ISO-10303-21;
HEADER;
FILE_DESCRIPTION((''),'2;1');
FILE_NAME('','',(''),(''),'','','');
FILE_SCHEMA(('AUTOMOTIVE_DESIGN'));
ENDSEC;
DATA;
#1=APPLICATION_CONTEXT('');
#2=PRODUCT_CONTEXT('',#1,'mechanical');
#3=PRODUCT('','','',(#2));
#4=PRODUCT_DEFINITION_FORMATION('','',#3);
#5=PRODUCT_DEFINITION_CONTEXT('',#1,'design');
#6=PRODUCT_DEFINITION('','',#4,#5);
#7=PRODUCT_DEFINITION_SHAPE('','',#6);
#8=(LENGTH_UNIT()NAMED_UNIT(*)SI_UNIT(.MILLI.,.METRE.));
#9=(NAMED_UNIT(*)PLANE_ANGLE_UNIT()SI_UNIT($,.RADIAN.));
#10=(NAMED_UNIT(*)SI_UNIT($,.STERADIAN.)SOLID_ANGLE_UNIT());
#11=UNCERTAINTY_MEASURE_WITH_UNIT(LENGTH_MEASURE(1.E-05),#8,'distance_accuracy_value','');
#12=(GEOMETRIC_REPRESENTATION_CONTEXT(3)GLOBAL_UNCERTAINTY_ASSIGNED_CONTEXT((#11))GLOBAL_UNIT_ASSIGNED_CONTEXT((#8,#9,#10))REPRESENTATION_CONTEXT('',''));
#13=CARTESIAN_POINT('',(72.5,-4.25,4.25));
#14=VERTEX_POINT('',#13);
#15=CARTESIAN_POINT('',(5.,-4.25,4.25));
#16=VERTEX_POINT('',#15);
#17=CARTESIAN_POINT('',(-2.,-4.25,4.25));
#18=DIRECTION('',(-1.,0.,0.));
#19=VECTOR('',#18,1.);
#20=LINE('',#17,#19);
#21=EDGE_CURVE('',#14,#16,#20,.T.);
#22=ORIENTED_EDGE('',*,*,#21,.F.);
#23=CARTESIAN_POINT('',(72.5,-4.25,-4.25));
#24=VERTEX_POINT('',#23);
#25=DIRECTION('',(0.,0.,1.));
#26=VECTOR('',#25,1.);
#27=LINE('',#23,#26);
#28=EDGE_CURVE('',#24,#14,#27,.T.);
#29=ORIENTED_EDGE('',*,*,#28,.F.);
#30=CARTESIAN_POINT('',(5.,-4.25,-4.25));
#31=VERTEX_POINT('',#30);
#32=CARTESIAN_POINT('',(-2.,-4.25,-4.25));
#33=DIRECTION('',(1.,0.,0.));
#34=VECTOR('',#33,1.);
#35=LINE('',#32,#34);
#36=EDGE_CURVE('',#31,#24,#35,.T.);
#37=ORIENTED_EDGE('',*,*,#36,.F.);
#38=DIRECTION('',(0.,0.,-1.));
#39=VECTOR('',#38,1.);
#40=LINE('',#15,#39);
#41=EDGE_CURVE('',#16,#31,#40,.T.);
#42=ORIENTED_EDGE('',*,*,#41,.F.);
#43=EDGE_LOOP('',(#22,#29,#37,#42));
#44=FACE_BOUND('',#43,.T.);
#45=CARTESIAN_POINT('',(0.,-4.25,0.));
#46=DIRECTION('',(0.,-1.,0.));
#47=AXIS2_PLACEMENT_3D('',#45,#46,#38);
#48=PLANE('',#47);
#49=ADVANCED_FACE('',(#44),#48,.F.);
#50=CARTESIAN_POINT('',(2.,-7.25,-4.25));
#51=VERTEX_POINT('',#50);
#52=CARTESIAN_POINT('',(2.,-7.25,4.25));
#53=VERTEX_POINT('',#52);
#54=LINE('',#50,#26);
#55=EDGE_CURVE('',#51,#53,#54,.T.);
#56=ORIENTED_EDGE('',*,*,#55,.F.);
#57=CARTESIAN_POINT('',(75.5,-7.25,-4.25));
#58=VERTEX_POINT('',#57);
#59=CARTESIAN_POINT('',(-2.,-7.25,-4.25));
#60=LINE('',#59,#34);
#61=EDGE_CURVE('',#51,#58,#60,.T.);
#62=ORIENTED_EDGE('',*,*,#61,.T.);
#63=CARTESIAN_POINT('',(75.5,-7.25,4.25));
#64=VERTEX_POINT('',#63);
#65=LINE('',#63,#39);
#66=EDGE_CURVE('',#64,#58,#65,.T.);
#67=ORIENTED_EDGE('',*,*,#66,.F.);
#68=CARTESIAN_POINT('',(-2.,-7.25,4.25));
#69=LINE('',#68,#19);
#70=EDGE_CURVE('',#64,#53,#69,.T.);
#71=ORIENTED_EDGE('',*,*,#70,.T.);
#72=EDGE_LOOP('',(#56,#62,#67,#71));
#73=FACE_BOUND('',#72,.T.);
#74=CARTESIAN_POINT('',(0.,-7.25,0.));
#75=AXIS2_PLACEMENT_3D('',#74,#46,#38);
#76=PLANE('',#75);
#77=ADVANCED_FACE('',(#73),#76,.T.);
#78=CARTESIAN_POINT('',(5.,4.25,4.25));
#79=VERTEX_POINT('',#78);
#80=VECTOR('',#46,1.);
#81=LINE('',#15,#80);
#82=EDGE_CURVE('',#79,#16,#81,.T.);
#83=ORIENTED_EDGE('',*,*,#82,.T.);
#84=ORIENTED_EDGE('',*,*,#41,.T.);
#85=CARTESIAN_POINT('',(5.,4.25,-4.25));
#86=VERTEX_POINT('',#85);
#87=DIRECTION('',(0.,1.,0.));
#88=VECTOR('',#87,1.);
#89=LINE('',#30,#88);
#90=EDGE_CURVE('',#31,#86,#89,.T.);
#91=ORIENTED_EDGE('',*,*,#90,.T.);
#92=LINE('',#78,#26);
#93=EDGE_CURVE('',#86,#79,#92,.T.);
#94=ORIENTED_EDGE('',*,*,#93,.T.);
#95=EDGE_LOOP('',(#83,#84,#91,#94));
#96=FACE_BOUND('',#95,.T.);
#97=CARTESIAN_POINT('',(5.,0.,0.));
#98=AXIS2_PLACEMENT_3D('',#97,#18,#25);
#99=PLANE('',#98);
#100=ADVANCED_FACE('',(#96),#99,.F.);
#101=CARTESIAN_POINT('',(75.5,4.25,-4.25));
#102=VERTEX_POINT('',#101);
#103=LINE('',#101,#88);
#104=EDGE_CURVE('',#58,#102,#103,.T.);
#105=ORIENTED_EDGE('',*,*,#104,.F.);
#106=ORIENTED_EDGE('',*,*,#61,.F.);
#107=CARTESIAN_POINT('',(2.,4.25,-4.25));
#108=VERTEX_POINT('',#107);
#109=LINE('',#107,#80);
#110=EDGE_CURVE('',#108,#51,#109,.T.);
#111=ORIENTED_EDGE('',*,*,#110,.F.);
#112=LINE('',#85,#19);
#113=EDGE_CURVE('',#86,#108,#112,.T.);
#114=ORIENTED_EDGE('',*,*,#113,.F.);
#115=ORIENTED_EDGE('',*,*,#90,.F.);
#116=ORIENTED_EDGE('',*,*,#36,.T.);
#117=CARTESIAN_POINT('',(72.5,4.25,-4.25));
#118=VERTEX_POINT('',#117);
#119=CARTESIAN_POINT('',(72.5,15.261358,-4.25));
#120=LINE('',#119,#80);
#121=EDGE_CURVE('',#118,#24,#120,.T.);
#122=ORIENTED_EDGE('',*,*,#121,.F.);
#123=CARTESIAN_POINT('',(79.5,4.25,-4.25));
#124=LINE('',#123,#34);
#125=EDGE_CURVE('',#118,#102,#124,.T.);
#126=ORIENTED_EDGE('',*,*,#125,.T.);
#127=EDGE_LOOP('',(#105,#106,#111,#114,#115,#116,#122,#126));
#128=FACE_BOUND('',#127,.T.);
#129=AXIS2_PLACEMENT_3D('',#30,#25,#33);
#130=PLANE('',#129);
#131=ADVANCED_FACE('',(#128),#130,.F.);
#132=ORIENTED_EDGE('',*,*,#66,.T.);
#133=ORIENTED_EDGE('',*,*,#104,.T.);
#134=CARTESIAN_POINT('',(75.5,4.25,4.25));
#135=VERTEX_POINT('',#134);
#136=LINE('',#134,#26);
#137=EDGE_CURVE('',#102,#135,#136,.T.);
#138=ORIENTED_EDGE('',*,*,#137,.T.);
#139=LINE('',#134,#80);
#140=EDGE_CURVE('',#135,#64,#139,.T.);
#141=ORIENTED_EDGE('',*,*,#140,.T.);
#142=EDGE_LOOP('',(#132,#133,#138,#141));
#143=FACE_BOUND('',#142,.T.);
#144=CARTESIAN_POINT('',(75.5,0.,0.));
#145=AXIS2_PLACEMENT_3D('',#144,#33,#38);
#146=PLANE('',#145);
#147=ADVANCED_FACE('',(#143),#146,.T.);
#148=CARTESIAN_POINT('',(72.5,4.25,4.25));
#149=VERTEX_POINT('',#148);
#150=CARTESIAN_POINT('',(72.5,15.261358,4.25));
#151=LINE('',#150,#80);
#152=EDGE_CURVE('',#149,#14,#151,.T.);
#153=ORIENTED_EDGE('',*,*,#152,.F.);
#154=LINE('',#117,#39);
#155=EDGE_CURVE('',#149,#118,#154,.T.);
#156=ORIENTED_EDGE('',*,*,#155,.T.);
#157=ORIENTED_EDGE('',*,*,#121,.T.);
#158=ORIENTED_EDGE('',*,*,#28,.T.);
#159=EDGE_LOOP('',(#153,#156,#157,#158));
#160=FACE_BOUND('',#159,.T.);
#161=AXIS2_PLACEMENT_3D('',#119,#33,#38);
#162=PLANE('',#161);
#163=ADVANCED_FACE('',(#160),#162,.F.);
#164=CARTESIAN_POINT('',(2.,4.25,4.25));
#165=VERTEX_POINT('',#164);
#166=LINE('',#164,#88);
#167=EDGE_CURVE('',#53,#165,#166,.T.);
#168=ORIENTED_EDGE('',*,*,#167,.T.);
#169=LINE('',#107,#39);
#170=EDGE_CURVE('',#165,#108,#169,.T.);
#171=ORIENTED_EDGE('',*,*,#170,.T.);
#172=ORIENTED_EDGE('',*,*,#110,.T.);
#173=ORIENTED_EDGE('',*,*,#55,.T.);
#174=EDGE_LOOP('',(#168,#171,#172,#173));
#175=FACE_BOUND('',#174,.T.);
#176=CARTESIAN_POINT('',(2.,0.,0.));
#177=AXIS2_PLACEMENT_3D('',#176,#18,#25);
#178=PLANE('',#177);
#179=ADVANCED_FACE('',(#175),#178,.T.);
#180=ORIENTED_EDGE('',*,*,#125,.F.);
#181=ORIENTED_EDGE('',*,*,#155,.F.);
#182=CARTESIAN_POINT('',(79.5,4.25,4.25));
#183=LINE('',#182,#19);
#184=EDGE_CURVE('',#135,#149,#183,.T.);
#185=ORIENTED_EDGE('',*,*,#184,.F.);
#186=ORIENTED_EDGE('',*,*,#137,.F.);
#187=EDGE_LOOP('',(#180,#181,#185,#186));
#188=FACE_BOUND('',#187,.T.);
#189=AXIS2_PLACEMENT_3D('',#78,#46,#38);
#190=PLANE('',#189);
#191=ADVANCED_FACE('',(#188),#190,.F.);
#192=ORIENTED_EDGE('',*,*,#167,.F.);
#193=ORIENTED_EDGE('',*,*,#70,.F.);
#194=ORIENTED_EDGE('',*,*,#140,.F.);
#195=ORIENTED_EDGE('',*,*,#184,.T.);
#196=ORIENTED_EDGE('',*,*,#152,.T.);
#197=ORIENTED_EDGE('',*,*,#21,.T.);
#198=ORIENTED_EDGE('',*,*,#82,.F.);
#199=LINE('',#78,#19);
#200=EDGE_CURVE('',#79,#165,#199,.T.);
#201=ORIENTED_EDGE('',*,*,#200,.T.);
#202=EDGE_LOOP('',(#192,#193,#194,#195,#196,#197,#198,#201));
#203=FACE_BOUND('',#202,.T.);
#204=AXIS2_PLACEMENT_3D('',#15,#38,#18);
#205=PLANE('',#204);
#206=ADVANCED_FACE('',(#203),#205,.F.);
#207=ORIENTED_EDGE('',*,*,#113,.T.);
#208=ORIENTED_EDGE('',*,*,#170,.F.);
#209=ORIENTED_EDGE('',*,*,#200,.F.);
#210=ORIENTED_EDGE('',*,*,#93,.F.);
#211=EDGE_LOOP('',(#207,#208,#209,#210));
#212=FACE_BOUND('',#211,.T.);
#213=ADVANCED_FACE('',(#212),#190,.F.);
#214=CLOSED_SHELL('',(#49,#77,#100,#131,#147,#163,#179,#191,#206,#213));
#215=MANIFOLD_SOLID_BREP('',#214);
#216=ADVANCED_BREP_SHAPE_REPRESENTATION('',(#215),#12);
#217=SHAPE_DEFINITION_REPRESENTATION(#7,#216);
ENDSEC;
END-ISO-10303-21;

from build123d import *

# Parameters (mm, degrees)
SKETCH1_W            = 8.5
SKETCH1_H            = 8.5
BOSS_EXTRUDE1_DEPTH  = 5
SKETCH2_W            = 8.5
SKETCH2_H            = 8.5
BOSS_EXTRUDE2_DEPTH  = 2
SKETCH3_R            = 1.5
CUT_EXTRUDE1_DEPTH   = 2
SKETCH4_W            = 81.5
SKETCH4_H            = 8.5
BOSS_EXTRUDE3_DEPTH  = 3
SKETCH5_W            = 7
SKETCH5_H            = 8.5
BOSS_EXTRUDE4_DEPTH  = 8.5
CUT_EXTRUDE2_DEPTH   = 5
SKETCH7_R            = 1.5
CUT_EXTRUDE3_DEPTH   = 5
CUT_EXTRUDE4_DEPTH   = 10
SKETCH9_W            = 8.5
SKETCH9_H            = 8.5
SKETCH9_R            = 1.5
BOSS_EXTRUDE5_DEPTH  = 2
CUT_EXTRUDE5_DEPTH   = 2
SKETCH11_W           = 8.5
SKETCH11_H           = 8.5
SKETCH11_R           = 1.5
BOSS_EXTRUDE6_DEPTH  = 2
BOSS_EXTRUDE7_DEPTH  = 5
BOSS_EXTRUDE8_DEPTH  = 5
SKETCH14_W           = 8.5
SKETCH14_H           = 11.5
CUT_EXTRUDE6_DEPTH   = 4
SKETCH15_W           = 8.5
SKETCH15_H           = 11.5
CUT_EXTRUDE7_DEPTH   = 4
SKETCH16_R           = 1.5
CUT_EXTRUDE8_DEPTH   = 4
SKETCH17_R           = 1.5
CUT_EXTRUDE9_DEPTH   = 4
SKETCH19_W           = 8.5
SKETCH19_H           = 8.5
BOSS_EXTRUDE9_DEPTH  = 3
SKETCH20_W           = 8.5
SKETCH20_H           = 8.5
BOSS_EXTRUDE10_DEPTH = 3


with BuildPart() as part:
    # Sketch1 → Boss-Extrude1 (new body)
    with BuildSketch(Plane(origin=(0, 0, 0), x_dir=(0, 0, -1), z_dir=(1, 0, 0))):
        Rectangle(SKETCH1_W, SKETCH1_H)
        Polygon((1.58771324, 2.75), (-1.58771324, 2.75), (-3.175426481, 0), (-1.58771324, -2.75), (1.58771324, -2.75), (3.175426481, 0), align=None, mode=Mode.SUBTRACT)
    extrude(amount=BOSS_EXTRUDE1_DEPTH)

    # Sketch2 → Boss-Extrude2 (add)
    with BuildSketch(Plane.ZY):
        Rectangle(SKETCH2_W, SKETCH2_H)
    extrude(amount=BOSS_EXTRUDE2_DEPTH)

    # Sketch3 → Cut-Extrude1 (cut)
    with BuildSketch(Plane(origin=(0, 0, 0), x_dir=(0, 0, -1), z_dir=(1, 0, 0))):
        Circle(SKETCH3_R)
    extrude(amount=-CUT_EXTRUDE1_DEPTH, mode=Mode.SUBTRACT)

    # Sketch4 → Boss-Extrude3 (add)
    with BuildSketch(Plane.XZ.offset(4.25)):
        with Locations((38.75, 0)):
            Rectangle(SKETCH4_W, SKETCH4_H)
    extrude(amount=BOSS_EXTRUDE3_DEPTH)

    # Sketch5 → Boss-Extrude4 (add)
    with BuildSketch(Plane(origin=(0, -4.25, 0), x_dir=(1, 0, 0), z_dir=(0, 1, 0))):
        with Locations((76, 0)):
            Rectangle(SKETCH5_W, SKETCH5_H)
    extrude(amount=BOSS_EXTRUDE4_DEPTH)

    # Sketch6 → Cut-Extrude2 (cut)
    with BuildSketch(Plane.ZY.offset(-72.5)):
        Polygon((3.175426481, 0), (1.58771324, 2.75), (-1.58771324, 2.75), (-3.175426481, 0), (-1.58771324, -2.75), (1.58771324, -2.75), align=None)
    extrude(amount=-CUT_EXTRUDE2_DEPTH, mode=Mode.SUBTRACT)

    # Sketch7 → Cut-Extrude3 (cut)
    with BuildSketch(Plane.ZY.offset(-77.5)):
        Circle(SKETCH7_R)
    extrude(amount=-CUT_EXTRUDE3_DEPTH, mode=Mode.SUBTRACT)

    # Sketch8 → Cut-Extrude4 (cut)
    with BuildSketch(Plane.ZY.offset(2)):
        Polygon((-1.58771324, 2.75), (1.58771324, 2.75), (3.175426481, 0), (1.58771324, -2.75), (-1.58771324, -2.75), (-3.175426481, 0), align=None)
    extrude(amount=-CUT_EXTRUDE4_DEPTH, mode=Mode.SUBTRACT)

    # Sketch9 → Boss-Extrude5 (add)
    with BuildSketch(Plane(origin=(5, 0, 0), x_dir=(0, 0, -1), z_dir=(1, 0, 0))):
        Rectangle(SKETCH9_W, SKETCH9_H)
        Circle(SKETCH9_R, mode=Mode.SUBTRACT)
    extrude(amount=-BOSS_EXTRUDE5_DEPTH)

    # Sketch10 → Cut-Extrude5 (cut)
    with BuildSketch(Plane(origin=(79.5, 0, 0), x_dir=(0, 0, -1), z_dir=(1, 0, 0))):
        Polygon((-3.175426481, 0), (-1.58771324, 2.75), (1.58771324, 2.75), (3.175426481, 0), (1.58771324, -2.75), (-1.58771324, -2.75), align=None)
    extrude(amount=-CUT_EXTRUDE5_DEPTH, mode=Mode.SUBTRACT)

    # Sketch11 → Boss-Extrude6 (add)
    with BuildSketch(Plane.ZY.offset(-72.5)):
        Rectangle(SKETCH11_W, SKETCH11_H)
        Circle(SKETCH11_R, mode=Mode.SUBTRACT)
    extrude(amount=-BOSS_EXTRUDE6_DEPTH)

    # Sketch12 → Boss-Extrude7 (add)
    with BuildSketch(Plane.ZY.offset(-3)):
        Polygon((-3.175426481, 0), (-1.58771324, 2.75), (1.58771324, 2.75), (3.175426481, 0), (1.58771324, -2.75), (-1.58771324, -2.75), align=None)
    extrude(amount=BOSS_EXTRUDE7_DEPTH)

    # Sketch13 → Boss-Extrude8 (add)
    with BuildSketch(Plane(origin=(74.5, 0, 0), x_dir=(0, 0, -1), z_dir=(1, 0, 0))):
        Polygon((-1.58771324, 2.75), (-3.175426481, 0), (-1.58771324, -2.75), (1.58771324, -2.75), (3.175426481, 0), (1.58771324, 2.75), align=None)
    extrude(amount=BOSS_EXTRUDE8_DEPTH)

    # Sketch14 → Cut-Extrude6 (cut)
    with BuildSketch(Plane.ZY.offset(2)):
        with Locations((0, -1.5)):
            Rectangle(SKETCH14_W, SKETCH14_H)
    extrude(amount=-CUT_EXTRUDE6_DEPTH, mode=Mode.SUBTRACT)

    # Sketch15 → Cut-Extrude7 (cut)
    with BuildSketch(Plane(origin=(79.5, 0, 0), x_dir=(0, 0, -1), z_dir=(1, 0, 0))):
        with Locations((0, -1.5)):
            Rectangle(SKETCH15_W, SKETCH15_H)
    extrude(amount=-CUT_EXTRUDE7_DEPTH, mode=Mode.SUBTRACT)

    # Sketch16 → Cut-Extrude8 (cut)
    with BuildSketch(Plane(origin=(5, 0, 0), x_dir=(0, 0, -1), z_dir=(1, 0, 0))):
        Circle(SKETCH16_R)
    extrude(amount=-CUT_EXTRUDE8_DEPTH, mode=Mode.SUBTRACT)

    # Sketch17 → Cut-Extrude9 (cut)
    with BuildSketch(Plane.ZY.offset(-74.5)):
        Circle(SKETCH17_R)
    extrude(amount=-CUT_EXTRUDE9_DEPTH, mode=Mode.SUBTRACT)

    # Sketch19 → Boss-Extrude9 (add)
    with BuildSketch(Plane(origin=(5, 0, 0), x_dir=(0, 0, -1), z_dir=(1, 0, 0))):
        Rectangle(SKETCH19_W, SKETCH19_H)
    extrude(amount=-BOSS_EXTRUDE9_DEPTH)

    # Sketch20 → Boss-Extrude10 (add)
    with BuildSketch(Plane.ZY.offset(-72.5)):
        Rectangle(SKETCH20_W, SKETCH20_H)
    extrude(amount=-BOSS_EXTRUDE10_DEPTH)


solid = part.part
